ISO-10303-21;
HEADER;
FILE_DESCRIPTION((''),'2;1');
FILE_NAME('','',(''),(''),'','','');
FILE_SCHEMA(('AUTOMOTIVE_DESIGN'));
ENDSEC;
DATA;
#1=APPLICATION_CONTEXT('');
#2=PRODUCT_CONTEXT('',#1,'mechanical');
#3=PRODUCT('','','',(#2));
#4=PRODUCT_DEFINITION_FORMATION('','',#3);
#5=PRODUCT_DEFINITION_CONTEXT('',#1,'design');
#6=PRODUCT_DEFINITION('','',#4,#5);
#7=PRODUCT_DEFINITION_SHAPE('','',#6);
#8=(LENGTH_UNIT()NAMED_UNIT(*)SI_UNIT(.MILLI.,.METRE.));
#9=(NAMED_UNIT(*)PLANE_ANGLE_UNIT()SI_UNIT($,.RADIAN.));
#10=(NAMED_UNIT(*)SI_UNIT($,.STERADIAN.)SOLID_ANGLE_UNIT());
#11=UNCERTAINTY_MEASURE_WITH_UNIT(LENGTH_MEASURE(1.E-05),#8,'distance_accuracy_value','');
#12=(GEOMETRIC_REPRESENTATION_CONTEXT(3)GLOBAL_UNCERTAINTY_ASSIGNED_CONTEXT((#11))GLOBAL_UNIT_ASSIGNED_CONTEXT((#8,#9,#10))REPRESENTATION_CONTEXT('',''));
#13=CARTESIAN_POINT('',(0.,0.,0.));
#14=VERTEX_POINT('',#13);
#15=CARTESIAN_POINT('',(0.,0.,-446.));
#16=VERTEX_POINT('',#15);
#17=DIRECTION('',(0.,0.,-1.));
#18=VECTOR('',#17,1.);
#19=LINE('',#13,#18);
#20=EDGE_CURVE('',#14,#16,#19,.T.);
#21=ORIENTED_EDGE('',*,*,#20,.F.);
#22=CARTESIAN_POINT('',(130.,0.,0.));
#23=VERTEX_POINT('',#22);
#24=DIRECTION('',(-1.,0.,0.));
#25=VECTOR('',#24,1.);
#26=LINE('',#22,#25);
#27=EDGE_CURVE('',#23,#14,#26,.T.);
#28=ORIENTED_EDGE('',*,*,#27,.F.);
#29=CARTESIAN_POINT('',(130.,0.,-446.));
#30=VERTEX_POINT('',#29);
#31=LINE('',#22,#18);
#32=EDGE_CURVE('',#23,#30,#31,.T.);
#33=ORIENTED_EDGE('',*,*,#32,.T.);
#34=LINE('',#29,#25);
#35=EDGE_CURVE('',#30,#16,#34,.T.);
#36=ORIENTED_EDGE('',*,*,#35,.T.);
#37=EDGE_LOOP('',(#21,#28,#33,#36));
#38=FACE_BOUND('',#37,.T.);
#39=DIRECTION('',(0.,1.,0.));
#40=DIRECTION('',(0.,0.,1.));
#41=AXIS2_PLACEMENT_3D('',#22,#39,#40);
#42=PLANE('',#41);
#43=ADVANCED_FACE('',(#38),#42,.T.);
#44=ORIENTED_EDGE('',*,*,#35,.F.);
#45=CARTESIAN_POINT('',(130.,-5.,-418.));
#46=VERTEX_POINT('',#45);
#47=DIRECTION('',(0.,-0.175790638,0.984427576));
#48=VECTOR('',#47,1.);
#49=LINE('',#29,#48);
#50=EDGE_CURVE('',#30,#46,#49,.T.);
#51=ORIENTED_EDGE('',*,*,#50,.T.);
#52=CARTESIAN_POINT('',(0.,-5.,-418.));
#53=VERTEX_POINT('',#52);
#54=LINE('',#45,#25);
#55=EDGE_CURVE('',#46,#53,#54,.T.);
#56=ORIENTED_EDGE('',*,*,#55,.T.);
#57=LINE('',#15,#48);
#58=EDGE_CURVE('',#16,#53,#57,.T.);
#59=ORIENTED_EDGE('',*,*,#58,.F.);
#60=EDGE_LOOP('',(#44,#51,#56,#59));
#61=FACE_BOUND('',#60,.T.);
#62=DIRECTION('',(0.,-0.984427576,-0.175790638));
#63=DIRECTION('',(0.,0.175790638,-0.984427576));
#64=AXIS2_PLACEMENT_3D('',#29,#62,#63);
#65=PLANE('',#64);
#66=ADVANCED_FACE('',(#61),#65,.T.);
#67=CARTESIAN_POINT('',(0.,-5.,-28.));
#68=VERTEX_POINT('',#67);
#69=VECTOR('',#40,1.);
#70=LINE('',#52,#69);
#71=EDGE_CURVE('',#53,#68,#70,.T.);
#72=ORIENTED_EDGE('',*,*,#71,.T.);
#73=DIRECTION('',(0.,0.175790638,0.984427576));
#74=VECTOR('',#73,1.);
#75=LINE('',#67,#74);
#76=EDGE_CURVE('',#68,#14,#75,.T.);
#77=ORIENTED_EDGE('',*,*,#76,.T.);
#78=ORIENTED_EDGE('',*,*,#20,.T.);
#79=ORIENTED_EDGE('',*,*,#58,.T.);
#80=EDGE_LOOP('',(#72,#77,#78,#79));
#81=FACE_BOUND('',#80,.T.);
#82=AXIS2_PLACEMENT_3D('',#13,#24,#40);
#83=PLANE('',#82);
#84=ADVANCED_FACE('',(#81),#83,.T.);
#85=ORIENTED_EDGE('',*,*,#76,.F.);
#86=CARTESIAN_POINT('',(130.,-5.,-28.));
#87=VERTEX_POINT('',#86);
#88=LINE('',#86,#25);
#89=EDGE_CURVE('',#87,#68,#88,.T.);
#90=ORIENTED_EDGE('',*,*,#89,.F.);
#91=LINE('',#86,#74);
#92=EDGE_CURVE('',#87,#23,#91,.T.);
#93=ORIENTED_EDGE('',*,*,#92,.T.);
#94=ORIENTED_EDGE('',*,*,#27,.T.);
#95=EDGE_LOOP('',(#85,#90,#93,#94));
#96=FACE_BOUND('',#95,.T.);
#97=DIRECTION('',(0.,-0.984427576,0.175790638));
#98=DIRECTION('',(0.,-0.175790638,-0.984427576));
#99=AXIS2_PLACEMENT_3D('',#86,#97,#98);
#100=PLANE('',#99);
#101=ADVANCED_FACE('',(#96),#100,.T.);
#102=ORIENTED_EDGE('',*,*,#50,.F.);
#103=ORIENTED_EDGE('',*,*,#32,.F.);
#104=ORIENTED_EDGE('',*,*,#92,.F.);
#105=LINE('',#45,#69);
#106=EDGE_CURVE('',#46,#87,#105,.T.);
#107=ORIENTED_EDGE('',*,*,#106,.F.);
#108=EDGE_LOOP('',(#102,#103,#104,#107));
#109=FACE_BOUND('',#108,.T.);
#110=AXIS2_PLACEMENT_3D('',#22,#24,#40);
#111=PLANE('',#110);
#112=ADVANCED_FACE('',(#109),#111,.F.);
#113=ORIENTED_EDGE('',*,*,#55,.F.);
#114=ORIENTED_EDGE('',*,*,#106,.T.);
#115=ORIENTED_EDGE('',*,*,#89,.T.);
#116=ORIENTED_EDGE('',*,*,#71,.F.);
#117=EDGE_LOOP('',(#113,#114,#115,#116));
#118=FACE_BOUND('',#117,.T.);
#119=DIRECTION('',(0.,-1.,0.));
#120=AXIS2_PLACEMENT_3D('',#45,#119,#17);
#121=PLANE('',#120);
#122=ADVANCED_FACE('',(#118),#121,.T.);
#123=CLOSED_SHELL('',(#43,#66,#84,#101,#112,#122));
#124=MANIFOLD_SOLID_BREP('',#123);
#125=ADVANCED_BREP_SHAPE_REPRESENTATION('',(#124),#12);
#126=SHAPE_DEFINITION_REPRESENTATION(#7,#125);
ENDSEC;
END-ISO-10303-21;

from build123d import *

# Parameters (mm, degrees)
BOSS_EXTRUDE1_DEPTH = 130


with BuildPart() as part:
    # Sketch1 → Boss-Extrude1 (new body)
    with BuildSketch(Plane(origin=(0, 0, 0), x_dir=(0, 0, -1), z_dir=(1, 0, 0))):
        Polygon((0, 0), (446, 0), (418, -5), (28, -5), align=None)
    extrude(amount=BOSS_EXTRUDE1_DEPTH)


solid = part.part
